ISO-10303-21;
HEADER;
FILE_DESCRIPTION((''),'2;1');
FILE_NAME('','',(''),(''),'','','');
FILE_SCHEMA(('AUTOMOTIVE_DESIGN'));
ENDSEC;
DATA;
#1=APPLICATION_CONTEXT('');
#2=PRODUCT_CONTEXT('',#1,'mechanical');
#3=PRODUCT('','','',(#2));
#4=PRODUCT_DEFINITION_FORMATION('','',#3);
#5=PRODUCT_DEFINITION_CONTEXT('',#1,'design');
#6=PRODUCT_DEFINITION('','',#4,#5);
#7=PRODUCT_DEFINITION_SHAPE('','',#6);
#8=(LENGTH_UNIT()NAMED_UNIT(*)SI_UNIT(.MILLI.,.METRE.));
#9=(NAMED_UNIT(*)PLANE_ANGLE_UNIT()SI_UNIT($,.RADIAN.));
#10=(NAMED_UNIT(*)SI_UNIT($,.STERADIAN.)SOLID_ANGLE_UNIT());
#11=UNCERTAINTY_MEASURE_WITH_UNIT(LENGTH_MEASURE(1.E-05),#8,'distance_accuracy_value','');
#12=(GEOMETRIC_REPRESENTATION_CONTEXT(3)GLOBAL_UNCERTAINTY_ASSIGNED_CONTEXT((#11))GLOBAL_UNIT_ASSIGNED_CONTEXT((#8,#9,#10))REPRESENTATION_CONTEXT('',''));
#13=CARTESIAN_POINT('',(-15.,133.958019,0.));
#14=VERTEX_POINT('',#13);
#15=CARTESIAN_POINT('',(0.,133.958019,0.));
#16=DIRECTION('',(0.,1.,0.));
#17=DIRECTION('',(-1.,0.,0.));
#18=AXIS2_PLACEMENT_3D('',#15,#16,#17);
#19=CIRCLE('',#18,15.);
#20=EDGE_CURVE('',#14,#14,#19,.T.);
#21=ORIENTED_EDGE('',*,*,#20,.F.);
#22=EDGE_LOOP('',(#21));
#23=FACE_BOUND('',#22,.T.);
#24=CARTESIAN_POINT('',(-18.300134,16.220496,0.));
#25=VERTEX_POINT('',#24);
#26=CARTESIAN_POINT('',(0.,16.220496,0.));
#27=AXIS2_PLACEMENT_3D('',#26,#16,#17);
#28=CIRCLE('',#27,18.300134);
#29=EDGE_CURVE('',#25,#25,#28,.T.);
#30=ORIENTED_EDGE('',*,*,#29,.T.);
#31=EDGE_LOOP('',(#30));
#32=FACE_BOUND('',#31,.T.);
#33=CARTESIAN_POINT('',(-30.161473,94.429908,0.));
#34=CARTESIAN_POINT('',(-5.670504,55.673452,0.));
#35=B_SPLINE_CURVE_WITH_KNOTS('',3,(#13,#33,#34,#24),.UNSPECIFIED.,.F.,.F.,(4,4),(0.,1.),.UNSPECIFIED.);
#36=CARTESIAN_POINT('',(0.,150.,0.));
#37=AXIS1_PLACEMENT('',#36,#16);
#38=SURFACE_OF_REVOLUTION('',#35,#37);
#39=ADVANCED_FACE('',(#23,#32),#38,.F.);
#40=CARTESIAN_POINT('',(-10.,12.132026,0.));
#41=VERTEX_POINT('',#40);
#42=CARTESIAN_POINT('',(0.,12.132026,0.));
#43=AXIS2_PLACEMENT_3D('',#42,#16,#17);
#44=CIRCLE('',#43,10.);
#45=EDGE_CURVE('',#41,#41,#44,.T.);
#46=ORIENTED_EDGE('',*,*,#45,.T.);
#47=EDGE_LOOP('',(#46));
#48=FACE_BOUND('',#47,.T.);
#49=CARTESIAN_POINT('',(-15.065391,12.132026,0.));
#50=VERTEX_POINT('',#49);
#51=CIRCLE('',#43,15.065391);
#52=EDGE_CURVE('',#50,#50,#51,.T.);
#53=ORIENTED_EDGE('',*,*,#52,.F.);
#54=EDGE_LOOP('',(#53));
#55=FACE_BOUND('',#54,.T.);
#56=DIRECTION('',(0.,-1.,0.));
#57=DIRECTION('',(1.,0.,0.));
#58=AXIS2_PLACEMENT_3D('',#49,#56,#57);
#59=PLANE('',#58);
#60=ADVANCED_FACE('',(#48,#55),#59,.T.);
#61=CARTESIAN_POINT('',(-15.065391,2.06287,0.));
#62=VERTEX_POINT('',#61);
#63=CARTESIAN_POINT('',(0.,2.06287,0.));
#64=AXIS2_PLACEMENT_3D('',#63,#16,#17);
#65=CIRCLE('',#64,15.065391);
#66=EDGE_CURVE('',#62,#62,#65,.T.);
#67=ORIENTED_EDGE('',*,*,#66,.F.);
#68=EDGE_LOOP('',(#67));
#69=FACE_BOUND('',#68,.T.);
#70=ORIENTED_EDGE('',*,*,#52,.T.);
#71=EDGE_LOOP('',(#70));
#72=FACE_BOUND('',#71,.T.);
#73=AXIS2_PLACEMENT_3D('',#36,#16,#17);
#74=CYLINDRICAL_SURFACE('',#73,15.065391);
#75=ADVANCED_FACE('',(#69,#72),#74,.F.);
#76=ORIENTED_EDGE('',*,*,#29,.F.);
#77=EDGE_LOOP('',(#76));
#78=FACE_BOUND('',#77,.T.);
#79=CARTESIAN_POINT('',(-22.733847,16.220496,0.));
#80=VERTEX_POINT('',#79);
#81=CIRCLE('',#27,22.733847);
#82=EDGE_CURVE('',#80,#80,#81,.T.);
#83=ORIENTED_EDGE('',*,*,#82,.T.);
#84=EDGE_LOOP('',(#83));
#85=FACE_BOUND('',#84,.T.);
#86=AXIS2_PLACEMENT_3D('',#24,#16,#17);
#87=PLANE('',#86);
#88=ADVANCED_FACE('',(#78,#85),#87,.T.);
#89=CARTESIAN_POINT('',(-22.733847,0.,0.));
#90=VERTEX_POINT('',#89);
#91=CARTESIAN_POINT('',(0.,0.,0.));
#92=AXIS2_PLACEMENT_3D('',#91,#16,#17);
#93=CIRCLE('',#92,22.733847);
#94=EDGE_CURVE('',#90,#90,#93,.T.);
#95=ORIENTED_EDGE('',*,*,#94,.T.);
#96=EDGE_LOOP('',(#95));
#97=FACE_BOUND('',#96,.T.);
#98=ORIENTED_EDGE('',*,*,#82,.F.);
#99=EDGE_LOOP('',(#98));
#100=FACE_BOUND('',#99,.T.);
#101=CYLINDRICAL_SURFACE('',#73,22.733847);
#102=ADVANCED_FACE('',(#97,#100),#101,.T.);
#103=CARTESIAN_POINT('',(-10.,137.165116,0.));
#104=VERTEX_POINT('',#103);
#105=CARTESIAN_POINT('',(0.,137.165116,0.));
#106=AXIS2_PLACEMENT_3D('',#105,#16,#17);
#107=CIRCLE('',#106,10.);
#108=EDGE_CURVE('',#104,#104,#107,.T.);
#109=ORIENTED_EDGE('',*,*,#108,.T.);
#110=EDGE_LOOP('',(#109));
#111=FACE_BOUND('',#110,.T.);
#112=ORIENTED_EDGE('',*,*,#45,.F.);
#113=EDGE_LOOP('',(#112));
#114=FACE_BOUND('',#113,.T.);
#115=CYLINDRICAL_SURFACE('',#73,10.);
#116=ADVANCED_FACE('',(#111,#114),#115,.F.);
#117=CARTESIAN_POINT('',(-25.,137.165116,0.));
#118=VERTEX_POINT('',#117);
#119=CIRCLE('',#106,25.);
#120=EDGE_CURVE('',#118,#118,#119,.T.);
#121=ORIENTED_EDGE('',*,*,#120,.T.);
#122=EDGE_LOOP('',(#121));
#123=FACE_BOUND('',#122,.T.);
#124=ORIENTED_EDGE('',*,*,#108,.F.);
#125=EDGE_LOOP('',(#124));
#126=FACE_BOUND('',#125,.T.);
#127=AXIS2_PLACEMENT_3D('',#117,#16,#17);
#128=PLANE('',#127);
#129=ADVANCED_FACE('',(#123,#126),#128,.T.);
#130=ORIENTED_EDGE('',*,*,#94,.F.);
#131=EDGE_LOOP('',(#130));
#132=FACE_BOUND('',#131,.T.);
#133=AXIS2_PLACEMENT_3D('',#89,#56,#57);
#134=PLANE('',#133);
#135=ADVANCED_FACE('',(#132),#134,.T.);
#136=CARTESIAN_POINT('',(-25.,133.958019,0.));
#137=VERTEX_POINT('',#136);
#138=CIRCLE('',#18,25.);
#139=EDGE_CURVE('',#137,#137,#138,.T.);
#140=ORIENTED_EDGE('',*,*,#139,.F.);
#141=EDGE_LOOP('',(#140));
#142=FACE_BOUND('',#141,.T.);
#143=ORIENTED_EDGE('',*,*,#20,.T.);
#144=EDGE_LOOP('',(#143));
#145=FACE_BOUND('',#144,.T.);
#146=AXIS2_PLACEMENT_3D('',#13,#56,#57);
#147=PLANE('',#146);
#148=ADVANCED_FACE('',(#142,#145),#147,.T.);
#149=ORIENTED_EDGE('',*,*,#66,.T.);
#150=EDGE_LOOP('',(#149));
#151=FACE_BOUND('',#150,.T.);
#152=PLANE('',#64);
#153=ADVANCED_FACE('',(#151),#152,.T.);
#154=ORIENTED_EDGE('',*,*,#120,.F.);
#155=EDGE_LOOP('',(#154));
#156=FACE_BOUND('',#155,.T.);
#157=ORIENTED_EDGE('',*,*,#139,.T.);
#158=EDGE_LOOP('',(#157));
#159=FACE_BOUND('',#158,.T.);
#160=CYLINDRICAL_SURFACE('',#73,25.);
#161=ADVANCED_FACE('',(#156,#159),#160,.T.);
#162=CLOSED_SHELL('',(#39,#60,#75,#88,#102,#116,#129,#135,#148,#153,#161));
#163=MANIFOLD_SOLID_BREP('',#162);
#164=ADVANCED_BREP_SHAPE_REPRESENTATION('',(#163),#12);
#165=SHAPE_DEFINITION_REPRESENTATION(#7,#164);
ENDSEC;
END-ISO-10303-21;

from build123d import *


with BuildPart() as part:
    # Sketch1 → Revolve1 (revolve)
    with BuildSketch(Plane.XY):
        with BuildLine():
            Line((0, 0), (-20, 0))
            Line((-20, 0), (-22.73384679, 0))
            Line((-22.73384679, 0), (-22.73384679, 16.220495926))
            Line((-22.73384679, 16.220495926), (-18.300134272, 16.220495926))
            add(Edge.make_bspline(
                [(-18.300134272, 16.220495926), (-5.670504473, 55.673452295), (-30.161473098, 94.429907861), (-15, 133.958018926)],
                knots=[0, 0, 0, 0, 1, 1, 1, 1], degree=3))
            Line((-15, 133.958018926), (-25, 133.958018926))
            Line((-25, 133.958018926), (-25, 137.165116337))
            Line((-25, 137.165116337), (-10, 137.165116337))
            Line((-10, 137.165116337), (-10, 12.132026435))
            Line((-10, 12.132026435), (-15.065390894, 12.132026435))
            Line((-15.065390894, 12.132026435), (-15.065390894, 2.062870175))
            Line((-15.065390894, 2.062870175), (0, 2.062870175))
            Line((0, 2.062870175), (0, 0))
        make_face()
    revolve(axis=Axis((0, 150, 0), (0, -1, 0)))


solid = part.part
